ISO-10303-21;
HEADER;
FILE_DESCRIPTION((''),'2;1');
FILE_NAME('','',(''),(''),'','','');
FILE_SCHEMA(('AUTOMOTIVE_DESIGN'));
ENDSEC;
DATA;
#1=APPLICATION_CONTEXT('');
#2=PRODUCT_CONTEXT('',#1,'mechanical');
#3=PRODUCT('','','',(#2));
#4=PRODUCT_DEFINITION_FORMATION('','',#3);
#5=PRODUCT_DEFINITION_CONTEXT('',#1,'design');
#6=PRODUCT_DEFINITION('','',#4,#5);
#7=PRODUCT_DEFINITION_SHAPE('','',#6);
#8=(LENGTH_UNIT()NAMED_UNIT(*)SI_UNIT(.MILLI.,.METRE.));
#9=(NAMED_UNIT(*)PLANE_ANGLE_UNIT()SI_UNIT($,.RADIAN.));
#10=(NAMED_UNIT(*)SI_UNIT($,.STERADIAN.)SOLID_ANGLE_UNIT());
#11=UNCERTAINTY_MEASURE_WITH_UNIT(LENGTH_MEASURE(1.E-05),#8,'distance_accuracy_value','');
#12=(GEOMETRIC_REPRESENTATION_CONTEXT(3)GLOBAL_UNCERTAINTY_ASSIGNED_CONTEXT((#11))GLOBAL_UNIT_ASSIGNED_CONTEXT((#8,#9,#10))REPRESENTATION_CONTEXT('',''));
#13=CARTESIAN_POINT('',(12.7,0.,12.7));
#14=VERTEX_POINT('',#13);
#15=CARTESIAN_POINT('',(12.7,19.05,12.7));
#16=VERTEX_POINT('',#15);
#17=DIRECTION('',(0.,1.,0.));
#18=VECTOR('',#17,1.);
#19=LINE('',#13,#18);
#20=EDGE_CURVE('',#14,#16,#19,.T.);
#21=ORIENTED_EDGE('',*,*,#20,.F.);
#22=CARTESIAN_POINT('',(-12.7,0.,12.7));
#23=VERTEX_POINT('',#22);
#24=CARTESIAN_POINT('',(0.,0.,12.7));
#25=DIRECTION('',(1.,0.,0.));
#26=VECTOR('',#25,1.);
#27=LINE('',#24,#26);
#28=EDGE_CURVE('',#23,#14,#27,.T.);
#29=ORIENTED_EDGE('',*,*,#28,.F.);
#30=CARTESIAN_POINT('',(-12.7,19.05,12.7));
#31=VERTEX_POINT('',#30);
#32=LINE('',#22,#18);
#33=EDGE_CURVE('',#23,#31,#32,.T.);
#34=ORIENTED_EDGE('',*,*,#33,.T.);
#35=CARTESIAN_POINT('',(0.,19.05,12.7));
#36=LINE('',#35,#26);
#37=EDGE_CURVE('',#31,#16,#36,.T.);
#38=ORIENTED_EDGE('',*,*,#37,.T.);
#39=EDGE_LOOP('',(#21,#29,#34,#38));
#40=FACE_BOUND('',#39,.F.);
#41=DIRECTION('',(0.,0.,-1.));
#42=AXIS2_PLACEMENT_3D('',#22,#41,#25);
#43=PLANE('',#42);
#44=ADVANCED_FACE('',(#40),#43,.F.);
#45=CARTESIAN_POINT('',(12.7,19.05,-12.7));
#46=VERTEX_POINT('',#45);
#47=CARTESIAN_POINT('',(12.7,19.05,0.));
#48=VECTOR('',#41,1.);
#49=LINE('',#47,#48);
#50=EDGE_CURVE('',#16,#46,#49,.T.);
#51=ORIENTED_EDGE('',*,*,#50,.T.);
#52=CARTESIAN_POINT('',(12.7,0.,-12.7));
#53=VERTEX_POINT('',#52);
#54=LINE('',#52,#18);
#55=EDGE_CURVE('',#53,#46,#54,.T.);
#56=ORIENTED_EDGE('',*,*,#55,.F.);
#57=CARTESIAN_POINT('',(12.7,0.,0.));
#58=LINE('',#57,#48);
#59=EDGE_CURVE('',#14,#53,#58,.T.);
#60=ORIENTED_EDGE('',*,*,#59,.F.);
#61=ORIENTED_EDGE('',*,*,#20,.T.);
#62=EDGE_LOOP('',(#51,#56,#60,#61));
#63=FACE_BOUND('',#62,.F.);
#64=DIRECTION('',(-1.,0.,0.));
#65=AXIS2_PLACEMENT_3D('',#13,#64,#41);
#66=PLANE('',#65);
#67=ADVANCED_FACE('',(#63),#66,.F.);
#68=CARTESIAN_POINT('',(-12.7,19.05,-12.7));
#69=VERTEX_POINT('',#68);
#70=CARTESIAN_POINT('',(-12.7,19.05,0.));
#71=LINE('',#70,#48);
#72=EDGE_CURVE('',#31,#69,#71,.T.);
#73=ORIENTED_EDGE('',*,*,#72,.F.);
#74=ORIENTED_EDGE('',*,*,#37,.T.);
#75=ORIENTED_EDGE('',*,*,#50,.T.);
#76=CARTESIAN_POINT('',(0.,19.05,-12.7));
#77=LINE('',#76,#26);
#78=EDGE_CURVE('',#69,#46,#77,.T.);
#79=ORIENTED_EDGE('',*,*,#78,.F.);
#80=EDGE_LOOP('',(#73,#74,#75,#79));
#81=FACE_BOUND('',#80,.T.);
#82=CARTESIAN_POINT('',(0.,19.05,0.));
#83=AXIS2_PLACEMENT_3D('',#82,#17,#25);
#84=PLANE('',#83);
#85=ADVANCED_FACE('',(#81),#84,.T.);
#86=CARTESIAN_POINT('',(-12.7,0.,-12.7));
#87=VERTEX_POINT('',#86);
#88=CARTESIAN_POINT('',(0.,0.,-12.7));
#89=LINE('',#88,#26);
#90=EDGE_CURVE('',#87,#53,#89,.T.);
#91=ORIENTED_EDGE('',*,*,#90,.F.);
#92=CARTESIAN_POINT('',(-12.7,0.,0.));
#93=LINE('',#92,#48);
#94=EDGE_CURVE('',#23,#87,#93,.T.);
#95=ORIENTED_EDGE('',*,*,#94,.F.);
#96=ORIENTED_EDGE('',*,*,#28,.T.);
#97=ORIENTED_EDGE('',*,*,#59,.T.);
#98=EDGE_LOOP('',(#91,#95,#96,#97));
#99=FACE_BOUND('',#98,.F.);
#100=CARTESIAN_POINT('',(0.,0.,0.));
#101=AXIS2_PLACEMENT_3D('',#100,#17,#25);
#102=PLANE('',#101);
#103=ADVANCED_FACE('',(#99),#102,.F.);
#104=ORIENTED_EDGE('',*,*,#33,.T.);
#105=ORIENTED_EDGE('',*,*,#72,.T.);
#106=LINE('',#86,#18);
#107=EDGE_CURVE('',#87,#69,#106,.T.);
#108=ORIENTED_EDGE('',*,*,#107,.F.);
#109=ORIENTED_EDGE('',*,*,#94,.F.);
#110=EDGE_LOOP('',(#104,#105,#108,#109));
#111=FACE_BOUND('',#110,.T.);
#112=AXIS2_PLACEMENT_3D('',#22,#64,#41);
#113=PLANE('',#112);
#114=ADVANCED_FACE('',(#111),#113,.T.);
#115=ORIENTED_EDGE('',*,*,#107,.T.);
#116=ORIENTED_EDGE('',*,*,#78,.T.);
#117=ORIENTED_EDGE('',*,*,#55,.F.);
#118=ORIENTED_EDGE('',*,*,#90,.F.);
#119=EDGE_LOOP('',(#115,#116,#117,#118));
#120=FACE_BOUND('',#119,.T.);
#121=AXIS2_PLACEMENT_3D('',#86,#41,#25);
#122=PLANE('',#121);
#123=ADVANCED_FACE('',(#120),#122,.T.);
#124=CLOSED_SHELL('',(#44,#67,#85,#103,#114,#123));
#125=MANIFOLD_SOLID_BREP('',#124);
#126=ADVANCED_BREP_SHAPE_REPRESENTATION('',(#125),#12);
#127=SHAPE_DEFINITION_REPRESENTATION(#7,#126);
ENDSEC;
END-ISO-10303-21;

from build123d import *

# Parameters (mm, degrees)
SKETCH1_W           = 25.4
SKETCH1_H           = 25.4
BOSS_EXTRUDE1_DEPTH = 19.05


with BuildPart() as part:
    # Sketch1 → Boss-Extrude1 (new body)
    with BuildSketch(Plane(origin=(0, 0, 0), x_dir=(1, 0, 0), z_dir=(0, 1, 0))):
        Rectangle(SKETCH1_W, SKETCH1_H)
    extrude(amount=BOSS_EXTRUDE1_DEPTH)


solid = part.part
